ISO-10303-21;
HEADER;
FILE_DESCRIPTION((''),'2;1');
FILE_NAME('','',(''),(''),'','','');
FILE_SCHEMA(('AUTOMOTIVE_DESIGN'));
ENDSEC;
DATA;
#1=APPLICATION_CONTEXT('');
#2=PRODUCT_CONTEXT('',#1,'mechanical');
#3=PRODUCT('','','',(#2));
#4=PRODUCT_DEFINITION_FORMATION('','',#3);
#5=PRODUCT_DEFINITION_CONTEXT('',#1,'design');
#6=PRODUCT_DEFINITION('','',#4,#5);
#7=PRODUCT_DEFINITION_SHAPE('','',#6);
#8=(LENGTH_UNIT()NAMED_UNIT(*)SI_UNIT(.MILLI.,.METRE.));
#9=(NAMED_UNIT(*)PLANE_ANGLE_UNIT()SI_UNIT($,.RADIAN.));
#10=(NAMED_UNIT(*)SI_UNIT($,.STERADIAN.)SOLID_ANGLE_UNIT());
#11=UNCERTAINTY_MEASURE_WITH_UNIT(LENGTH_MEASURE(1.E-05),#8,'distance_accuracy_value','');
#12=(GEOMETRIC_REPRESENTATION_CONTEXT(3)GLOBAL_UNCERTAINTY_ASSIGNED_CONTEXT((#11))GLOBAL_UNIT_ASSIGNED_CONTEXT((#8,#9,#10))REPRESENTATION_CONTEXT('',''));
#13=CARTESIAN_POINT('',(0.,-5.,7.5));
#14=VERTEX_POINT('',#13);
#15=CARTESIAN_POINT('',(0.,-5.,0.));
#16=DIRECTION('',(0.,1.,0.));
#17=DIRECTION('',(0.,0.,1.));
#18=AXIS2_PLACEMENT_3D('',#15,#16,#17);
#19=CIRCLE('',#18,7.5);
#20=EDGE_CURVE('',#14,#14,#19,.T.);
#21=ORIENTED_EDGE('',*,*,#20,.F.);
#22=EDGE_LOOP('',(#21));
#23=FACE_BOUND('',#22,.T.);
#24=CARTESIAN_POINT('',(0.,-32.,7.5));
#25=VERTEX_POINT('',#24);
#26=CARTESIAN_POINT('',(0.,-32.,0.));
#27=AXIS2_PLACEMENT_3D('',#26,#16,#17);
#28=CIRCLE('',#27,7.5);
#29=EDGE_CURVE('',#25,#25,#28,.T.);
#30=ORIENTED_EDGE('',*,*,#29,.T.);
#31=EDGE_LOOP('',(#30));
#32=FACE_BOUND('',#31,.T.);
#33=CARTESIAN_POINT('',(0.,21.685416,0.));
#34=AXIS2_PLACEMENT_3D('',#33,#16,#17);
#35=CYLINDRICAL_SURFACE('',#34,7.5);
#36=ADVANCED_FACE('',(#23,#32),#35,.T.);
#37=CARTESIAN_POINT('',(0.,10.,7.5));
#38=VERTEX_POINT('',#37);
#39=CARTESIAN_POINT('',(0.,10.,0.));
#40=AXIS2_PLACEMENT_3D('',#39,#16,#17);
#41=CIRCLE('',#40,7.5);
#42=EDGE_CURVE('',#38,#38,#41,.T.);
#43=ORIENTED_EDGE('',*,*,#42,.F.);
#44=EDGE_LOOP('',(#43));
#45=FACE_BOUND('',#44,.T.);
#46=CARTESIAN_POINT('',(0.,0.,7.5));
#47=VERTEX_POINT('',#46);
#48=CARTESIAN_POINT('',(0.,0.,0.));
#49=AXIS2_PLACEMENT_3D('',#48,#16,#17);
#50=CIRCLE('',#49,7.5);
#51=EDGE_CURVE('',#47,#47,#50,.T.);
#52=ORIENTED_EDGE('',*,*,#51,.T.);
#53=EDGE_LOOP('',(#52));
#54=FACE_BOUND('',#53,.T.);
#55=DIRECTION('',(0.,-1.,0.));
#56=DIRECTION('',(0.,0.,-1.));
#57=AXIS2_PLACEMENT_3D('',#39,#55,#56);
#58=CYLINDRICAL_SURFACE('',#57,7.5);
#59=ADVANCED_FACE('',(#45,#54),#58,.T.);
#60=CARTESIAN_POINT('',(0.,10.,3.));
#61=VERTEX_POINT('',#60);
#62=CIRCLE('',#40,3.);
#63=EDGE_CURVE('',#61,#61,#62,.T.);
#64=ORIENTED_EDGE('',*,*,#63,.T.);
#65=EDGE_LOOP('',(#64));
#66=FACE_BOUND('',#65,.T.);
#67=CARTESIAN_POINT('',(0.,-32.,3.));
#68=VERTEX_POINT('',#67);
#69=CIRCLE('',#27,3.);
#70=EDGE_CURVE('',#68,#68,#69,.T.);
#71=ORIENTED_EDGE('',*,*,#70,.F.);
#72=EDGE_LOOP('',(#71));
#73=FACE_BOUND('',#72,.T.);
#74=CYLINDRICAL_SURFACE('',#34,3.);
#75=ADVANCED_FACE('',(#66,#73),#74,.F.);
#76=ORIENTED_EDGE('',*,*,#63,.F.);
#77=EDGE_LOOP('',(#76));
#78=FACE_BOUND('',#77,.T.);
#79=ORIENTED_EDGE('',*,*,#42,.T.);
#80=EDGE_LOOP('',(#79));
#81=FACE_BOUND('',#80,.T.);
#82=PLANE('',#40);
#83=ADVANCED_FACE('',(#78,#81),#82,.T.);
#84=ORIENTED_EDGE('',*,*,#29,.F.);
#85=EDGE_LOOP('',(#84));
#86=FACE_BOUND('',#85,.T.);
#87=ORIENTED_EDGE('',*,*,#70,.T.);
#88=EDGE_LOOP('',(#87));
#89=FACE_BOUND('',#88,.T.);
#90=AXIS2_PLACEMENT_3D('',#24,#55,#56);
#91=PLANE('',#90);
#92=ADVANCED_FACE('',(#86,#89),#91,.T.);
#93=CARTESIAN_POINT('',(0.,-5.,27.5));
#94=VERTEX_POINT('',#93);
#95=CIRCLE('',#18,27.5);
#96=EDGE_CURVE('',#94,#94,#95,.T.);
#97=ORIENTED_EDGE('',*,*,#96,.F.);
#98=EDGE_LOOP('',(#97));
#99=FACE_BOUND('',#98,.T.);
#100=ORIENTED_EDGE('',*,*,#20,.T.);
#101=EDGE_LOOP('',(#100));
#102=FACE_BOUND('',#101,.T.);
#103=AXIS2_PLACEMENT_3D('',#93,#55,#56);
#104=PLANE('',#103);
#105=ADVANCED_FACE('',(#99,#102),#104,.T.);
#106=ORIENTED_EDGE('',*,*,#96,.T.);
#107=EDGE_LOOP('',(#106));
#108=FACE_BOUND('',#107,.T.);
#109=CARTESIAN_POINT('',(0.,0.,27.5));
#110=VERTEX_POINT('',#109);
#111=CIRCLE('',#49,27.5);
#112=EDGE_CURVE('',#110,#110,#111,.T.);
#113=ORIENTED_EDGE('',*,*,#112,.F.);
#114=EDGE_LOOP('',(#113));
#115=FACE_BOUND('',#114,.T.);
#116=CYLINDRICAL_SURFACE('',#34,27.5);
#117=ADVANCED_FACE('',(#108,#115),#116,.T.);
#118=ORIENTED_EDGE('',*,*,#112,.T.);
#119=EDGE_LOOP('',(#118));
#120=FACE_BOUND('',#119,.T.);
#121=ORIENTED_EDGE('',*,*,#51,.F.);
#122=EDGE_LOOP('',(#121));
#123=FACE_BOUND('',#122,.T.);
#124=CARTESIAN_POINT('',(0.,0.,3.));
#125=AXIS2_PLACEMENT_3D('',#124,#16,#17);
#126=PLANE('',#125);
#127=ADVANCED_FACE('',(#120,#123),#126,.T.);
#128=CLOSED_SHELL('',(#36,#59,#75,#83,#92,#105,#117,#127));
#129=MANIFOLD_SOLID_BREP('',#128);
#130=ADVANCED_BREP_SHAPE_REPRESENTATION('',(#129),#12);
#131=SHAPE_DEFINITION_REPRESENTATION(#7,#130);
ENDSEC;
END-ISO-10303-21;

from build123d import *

# Parameters (mm, degrees)
SKIZZE2_R                       = 7.5
SKIZZE2_R_2                     = 3
AUFSATZ_LINEAR_AUSTRAGEN1_DEPTH = 10


with BuildPart() as part:
    # Skizze1 → Rotation1 (revolve)
    with BuildSketch(Plane(origin=(0, 0, 0), x_dir=(0, 0, -1), z_dir=(1, 0, 0))):
        Polygon((-3, 0), (-27.5, 0), (-27.5, -5), (-7.5, -5), (-7.5, -32), (-3, -32), align=None)
    revolve(axis=Axis((0, 21.68541583, 0), (0, -1, 0)))

    # Skizze2 → Aufsatz-Linear austragen1 (add)
    with BuildSketch(Plane(origin=(0, 0, 0), x_dir=(1, 0, 0), z_dir=(0, 1, 0))):
        Circle(SKIZZE2_R)
        Circle(SKIZZE2_R_2, mode=Mode.SUBTRACT)
    extrude(amount=AUFSATZ_LINEAR_AUSTRAGEN1_DEPTH)


solid = part.part
